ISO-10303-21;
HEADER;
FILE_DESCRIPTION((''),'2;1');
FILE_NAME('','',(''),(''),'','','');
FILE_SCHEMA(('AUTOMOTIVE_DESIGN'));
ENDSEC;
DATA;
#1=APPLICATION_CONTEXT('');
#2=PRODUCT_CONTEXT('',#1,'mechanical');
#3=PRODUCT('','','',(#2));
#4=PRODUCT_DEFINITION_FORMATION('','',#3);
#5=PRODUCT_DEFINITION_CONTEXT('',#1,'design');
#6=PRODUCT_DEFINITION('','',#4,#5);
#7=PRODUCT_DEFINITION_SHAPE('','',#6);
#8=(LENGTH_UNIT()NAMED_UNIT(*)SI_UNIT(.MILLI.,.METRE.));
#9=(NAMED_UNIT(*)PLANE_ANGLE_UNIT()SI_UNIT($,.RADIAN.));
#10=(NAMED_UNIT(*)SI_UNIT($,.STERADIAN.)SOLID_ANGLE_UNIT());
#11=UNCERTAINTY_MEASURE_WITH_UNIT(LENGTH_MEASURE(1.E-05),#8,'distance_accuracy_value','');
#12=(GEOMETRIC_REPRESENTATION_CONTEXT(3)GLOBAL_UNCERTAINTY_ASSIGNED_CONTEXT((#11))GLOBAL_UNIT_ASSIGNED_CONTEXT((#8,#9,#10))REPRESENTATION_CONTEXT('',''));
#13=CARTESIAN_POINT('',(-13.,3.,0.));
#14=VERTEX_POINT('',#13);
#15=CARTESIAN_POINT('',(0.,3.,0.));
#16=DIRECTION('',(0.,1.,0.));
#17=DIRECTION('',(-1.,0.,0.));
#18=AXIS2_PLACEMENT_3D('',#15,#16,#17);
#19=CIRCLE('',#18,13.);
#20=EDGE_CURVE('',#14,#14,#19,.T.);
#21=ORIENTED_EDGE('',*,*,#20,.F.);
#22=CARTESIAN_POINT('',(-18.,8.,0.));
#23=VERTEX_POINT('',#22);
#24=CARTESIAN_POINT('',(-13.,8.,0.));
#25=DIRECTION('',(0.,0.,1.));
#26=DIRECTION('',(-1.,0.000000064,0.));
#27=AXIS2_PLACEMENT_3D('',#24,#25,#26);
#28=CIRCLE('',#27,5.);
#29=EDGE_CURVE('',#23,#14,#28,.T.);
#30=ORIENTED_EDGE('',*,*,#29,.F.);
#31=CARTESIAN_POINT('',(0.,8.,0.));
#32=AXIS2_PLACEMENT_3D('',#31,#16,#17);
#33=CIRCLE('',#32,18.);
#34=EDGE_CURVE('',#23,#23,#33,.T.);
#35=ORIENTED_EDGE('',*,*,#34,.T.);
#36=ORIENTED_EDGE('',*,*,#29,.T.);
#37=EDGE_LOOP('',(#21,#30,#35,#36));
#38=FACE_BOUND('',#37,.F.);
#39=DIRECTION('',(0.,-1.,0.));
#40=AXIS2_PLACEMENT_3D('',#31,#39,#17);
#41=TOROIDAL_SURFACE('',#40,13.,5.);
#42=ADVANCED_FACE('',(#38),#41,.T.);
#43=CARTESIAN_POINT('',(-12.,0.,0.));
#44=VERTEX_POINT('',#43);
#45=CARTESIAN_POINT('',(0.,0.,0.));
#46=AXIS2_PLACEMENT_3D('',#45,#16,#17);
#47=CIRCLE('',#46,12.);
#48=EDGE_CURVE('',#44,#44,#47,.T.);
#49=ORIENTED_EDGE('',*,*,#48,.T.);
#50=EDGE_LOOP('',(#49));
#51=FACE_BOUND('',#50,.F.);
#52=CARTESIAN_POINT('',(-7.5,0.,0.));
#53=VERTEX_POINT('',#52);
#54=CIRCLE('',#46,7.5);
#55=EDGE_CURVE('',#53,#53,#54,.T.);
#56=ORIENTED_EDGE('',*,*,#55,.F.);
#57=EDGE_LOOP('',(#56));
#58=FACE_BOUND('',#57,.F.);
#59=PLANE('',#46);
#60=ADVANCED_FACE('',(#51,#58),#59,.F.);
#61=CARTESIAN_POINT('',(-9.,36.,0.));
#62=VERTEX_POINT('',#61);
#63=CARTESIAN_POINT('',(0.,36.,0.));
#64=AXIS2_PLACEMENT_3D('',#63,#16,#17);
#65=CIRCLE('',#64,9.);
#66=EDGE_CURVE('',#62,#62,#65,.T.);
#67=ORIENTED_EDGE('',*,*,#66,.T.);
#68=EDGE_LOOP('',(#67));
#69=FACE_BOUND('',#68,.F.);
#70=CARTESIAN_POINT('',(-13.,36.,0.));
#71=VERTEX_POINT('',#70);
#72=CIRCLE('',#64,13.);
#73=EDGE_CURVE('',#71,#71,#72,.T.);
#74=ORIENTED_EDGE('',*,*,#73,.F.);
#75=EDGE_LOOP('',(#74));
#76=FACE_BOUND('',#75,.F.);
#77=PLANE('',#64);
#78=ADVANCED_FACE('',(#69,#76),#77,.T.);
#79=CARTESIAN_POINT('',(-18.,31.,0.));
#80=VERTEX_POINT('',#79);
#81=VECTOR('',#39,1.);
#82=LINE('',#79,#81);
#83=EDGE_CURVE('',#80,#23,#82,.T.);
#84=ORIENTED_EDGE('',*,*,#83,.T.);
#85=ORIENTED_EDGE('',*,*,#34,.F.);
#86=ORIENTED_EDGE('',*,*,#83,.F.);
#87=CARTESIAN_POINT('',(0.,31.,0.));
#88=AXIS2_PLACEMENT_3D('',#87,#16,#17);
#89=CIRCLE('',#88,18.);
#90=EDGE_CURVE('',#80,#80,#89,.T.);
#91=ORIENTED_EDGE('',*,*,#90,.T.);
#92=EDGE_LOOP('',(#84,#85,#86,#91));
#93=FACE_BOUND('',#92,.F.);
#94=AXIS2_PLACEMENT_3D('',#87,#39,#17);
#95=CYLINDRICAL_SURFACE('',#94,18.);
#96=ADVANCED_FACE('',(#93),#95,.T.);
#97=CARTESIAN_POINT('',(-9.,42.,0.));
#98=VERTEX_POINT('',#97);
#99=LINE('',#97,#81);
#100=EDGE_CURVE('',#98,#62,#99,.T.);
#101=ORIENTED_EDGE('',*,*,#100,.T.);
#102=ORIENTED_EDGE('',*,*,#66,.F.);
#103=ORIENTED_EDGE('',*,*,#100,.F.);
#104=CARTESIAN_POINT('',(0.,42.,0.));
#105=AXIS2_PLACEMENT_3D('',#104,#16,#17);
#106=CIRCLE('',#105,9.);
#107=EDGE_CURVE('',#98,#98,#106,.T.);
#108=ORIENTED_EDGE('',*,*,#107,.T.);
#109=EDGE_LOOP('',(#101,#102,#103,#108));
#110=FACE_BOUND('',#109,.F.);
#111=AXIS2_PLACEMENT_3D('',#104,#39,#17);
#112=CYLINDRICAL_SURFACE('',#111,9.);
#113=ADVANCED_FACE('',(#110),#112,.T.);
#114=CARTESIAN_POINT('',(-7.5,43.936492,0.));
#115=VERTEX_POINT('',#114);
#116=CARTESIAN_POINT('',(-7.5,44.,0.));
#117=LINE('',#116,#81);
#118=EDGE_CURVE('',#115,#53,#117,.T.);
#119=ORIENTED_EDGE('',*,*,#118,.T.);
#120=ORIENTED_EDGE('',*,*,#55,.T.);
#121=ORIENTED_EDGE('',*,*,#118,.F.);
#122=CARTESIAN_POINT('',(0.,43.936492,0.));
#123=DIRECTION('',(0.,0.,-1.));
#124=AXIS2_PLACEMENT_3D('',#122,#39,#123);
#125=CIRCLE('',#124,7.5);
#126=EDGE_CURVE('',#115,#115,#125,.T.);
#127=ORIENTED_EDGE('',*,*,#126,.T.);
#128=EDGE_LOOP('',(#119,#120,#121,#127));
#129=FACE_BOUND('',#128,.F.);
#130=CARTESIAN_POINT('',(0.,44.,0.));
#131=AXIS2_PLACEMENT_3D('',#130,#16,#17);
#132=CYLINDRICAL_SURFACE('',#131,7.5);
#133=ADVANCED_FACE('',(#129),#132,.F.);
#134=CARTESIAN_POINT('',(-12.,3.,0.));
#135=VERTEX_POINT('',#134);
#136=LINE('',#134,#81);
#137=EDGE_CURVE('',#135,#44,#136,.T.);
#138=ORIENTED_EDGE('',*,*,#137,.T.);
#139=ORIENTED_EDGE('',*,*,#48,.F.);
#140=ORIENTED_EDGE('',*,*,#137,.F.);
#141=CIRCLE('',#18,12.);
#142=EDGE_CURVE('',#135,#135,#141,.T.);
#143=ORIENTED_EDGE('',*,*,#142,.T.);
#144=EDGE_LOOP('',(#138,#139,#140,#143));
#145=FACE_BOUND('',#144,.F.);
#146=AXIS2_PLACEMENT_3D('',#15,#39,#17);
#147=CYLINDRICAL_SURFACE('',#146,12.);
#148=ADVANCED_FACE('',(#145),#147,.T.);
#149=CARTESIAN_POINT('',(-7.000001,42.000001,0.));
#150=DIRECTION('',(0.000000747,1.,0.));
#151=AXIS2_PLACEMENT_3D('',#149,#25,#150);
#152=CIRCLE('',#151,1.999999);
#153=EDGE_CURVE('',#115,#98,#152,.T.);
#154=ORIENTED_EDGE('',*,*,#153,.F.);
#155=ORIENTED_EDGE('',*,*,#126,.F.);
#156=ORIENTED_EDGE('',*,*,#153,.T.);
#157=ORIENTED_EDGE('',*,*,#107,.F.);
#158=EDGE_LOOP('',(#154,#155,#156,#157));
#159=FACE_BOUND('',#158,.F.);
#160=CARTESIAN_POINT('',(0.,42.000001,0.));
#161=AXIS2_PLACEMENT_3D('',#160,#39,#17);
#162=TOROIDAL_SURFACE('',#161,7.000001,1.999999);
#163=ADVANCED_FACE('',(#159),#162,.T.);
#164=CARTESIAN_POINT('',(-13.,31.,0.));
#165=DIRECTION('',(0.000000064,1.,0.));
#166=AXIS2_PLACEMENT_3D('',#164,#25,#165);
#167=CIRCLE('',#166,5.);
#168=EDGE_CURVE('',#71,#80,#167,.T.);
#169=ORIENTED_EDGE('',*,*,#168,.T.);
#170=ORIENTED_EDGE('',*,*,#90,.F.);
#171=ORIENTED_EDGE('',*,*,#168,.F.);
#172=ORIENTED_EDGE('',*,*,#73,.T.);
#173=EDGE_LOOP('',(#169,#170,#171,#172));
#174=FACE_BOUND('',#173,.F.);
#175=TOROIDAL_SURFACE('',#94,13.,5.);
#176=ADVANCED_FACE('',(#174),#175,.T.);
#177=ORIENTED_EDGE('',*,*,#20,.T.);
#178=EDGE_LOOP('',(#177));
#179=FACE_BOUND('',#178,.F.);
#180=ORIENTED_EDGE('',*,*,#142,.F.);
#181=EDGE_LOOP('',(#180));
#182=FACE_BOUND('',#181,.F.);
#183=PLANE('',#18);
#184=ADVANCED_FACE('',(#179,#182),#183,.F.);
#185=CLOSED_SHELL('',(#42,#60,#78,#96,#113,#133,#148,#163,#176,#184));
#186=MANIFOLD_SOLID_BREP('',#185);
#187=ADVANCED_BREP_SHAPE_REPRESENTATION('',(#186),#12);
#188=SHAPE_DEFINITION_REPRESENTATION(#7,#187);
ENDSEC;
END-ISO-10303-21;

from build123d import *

# Parameters (mm, degrees)
F2_R     = 7.5
F3_DEPTH = 56.33377


with BuildPart() as f1:
    # F0 (on Top) → F1 (revolve)
    with BuildSketch(Plane.XY):
        with BuildLine():
            Line((-12, 0), (0, 0))
            Line((0, 0), (0, 44))
            Line((0, 44), (-7, 44))
            ThreePointArc((-7, 44), (-8.414214, 43.414214), (-9, 42))
            Line((-9, 42), (-9, 36))
            Line((-9, 36), (-13, 36))
            ThreePointArc((-13, 36), (-16.535534, 34.535534), (-18, 31))
            Line((-18, 31), (-18, 8))
            ThreePointArc((-18, 8), (-16.535534, 4.464466), (-13, 3))
            Line((-13, 3), (-12, 3))
            Line((-12, 3), (-12, 0))
        make_face()
    revolve(axis=Axis((0, 22, 0), (0, 1, 0)))

    # F2 (on face) → F3 (cut)
    with BuildSketch(Plane(origin=(0, 44, 0), x_dir=(-1, 0, 0), z_dir=(0, 1, 0))):
        Circle(F2_R)
    extrude(amount=-F3_DEPTH, mode=Mode.SUBTRACT)


solid = f1.part
